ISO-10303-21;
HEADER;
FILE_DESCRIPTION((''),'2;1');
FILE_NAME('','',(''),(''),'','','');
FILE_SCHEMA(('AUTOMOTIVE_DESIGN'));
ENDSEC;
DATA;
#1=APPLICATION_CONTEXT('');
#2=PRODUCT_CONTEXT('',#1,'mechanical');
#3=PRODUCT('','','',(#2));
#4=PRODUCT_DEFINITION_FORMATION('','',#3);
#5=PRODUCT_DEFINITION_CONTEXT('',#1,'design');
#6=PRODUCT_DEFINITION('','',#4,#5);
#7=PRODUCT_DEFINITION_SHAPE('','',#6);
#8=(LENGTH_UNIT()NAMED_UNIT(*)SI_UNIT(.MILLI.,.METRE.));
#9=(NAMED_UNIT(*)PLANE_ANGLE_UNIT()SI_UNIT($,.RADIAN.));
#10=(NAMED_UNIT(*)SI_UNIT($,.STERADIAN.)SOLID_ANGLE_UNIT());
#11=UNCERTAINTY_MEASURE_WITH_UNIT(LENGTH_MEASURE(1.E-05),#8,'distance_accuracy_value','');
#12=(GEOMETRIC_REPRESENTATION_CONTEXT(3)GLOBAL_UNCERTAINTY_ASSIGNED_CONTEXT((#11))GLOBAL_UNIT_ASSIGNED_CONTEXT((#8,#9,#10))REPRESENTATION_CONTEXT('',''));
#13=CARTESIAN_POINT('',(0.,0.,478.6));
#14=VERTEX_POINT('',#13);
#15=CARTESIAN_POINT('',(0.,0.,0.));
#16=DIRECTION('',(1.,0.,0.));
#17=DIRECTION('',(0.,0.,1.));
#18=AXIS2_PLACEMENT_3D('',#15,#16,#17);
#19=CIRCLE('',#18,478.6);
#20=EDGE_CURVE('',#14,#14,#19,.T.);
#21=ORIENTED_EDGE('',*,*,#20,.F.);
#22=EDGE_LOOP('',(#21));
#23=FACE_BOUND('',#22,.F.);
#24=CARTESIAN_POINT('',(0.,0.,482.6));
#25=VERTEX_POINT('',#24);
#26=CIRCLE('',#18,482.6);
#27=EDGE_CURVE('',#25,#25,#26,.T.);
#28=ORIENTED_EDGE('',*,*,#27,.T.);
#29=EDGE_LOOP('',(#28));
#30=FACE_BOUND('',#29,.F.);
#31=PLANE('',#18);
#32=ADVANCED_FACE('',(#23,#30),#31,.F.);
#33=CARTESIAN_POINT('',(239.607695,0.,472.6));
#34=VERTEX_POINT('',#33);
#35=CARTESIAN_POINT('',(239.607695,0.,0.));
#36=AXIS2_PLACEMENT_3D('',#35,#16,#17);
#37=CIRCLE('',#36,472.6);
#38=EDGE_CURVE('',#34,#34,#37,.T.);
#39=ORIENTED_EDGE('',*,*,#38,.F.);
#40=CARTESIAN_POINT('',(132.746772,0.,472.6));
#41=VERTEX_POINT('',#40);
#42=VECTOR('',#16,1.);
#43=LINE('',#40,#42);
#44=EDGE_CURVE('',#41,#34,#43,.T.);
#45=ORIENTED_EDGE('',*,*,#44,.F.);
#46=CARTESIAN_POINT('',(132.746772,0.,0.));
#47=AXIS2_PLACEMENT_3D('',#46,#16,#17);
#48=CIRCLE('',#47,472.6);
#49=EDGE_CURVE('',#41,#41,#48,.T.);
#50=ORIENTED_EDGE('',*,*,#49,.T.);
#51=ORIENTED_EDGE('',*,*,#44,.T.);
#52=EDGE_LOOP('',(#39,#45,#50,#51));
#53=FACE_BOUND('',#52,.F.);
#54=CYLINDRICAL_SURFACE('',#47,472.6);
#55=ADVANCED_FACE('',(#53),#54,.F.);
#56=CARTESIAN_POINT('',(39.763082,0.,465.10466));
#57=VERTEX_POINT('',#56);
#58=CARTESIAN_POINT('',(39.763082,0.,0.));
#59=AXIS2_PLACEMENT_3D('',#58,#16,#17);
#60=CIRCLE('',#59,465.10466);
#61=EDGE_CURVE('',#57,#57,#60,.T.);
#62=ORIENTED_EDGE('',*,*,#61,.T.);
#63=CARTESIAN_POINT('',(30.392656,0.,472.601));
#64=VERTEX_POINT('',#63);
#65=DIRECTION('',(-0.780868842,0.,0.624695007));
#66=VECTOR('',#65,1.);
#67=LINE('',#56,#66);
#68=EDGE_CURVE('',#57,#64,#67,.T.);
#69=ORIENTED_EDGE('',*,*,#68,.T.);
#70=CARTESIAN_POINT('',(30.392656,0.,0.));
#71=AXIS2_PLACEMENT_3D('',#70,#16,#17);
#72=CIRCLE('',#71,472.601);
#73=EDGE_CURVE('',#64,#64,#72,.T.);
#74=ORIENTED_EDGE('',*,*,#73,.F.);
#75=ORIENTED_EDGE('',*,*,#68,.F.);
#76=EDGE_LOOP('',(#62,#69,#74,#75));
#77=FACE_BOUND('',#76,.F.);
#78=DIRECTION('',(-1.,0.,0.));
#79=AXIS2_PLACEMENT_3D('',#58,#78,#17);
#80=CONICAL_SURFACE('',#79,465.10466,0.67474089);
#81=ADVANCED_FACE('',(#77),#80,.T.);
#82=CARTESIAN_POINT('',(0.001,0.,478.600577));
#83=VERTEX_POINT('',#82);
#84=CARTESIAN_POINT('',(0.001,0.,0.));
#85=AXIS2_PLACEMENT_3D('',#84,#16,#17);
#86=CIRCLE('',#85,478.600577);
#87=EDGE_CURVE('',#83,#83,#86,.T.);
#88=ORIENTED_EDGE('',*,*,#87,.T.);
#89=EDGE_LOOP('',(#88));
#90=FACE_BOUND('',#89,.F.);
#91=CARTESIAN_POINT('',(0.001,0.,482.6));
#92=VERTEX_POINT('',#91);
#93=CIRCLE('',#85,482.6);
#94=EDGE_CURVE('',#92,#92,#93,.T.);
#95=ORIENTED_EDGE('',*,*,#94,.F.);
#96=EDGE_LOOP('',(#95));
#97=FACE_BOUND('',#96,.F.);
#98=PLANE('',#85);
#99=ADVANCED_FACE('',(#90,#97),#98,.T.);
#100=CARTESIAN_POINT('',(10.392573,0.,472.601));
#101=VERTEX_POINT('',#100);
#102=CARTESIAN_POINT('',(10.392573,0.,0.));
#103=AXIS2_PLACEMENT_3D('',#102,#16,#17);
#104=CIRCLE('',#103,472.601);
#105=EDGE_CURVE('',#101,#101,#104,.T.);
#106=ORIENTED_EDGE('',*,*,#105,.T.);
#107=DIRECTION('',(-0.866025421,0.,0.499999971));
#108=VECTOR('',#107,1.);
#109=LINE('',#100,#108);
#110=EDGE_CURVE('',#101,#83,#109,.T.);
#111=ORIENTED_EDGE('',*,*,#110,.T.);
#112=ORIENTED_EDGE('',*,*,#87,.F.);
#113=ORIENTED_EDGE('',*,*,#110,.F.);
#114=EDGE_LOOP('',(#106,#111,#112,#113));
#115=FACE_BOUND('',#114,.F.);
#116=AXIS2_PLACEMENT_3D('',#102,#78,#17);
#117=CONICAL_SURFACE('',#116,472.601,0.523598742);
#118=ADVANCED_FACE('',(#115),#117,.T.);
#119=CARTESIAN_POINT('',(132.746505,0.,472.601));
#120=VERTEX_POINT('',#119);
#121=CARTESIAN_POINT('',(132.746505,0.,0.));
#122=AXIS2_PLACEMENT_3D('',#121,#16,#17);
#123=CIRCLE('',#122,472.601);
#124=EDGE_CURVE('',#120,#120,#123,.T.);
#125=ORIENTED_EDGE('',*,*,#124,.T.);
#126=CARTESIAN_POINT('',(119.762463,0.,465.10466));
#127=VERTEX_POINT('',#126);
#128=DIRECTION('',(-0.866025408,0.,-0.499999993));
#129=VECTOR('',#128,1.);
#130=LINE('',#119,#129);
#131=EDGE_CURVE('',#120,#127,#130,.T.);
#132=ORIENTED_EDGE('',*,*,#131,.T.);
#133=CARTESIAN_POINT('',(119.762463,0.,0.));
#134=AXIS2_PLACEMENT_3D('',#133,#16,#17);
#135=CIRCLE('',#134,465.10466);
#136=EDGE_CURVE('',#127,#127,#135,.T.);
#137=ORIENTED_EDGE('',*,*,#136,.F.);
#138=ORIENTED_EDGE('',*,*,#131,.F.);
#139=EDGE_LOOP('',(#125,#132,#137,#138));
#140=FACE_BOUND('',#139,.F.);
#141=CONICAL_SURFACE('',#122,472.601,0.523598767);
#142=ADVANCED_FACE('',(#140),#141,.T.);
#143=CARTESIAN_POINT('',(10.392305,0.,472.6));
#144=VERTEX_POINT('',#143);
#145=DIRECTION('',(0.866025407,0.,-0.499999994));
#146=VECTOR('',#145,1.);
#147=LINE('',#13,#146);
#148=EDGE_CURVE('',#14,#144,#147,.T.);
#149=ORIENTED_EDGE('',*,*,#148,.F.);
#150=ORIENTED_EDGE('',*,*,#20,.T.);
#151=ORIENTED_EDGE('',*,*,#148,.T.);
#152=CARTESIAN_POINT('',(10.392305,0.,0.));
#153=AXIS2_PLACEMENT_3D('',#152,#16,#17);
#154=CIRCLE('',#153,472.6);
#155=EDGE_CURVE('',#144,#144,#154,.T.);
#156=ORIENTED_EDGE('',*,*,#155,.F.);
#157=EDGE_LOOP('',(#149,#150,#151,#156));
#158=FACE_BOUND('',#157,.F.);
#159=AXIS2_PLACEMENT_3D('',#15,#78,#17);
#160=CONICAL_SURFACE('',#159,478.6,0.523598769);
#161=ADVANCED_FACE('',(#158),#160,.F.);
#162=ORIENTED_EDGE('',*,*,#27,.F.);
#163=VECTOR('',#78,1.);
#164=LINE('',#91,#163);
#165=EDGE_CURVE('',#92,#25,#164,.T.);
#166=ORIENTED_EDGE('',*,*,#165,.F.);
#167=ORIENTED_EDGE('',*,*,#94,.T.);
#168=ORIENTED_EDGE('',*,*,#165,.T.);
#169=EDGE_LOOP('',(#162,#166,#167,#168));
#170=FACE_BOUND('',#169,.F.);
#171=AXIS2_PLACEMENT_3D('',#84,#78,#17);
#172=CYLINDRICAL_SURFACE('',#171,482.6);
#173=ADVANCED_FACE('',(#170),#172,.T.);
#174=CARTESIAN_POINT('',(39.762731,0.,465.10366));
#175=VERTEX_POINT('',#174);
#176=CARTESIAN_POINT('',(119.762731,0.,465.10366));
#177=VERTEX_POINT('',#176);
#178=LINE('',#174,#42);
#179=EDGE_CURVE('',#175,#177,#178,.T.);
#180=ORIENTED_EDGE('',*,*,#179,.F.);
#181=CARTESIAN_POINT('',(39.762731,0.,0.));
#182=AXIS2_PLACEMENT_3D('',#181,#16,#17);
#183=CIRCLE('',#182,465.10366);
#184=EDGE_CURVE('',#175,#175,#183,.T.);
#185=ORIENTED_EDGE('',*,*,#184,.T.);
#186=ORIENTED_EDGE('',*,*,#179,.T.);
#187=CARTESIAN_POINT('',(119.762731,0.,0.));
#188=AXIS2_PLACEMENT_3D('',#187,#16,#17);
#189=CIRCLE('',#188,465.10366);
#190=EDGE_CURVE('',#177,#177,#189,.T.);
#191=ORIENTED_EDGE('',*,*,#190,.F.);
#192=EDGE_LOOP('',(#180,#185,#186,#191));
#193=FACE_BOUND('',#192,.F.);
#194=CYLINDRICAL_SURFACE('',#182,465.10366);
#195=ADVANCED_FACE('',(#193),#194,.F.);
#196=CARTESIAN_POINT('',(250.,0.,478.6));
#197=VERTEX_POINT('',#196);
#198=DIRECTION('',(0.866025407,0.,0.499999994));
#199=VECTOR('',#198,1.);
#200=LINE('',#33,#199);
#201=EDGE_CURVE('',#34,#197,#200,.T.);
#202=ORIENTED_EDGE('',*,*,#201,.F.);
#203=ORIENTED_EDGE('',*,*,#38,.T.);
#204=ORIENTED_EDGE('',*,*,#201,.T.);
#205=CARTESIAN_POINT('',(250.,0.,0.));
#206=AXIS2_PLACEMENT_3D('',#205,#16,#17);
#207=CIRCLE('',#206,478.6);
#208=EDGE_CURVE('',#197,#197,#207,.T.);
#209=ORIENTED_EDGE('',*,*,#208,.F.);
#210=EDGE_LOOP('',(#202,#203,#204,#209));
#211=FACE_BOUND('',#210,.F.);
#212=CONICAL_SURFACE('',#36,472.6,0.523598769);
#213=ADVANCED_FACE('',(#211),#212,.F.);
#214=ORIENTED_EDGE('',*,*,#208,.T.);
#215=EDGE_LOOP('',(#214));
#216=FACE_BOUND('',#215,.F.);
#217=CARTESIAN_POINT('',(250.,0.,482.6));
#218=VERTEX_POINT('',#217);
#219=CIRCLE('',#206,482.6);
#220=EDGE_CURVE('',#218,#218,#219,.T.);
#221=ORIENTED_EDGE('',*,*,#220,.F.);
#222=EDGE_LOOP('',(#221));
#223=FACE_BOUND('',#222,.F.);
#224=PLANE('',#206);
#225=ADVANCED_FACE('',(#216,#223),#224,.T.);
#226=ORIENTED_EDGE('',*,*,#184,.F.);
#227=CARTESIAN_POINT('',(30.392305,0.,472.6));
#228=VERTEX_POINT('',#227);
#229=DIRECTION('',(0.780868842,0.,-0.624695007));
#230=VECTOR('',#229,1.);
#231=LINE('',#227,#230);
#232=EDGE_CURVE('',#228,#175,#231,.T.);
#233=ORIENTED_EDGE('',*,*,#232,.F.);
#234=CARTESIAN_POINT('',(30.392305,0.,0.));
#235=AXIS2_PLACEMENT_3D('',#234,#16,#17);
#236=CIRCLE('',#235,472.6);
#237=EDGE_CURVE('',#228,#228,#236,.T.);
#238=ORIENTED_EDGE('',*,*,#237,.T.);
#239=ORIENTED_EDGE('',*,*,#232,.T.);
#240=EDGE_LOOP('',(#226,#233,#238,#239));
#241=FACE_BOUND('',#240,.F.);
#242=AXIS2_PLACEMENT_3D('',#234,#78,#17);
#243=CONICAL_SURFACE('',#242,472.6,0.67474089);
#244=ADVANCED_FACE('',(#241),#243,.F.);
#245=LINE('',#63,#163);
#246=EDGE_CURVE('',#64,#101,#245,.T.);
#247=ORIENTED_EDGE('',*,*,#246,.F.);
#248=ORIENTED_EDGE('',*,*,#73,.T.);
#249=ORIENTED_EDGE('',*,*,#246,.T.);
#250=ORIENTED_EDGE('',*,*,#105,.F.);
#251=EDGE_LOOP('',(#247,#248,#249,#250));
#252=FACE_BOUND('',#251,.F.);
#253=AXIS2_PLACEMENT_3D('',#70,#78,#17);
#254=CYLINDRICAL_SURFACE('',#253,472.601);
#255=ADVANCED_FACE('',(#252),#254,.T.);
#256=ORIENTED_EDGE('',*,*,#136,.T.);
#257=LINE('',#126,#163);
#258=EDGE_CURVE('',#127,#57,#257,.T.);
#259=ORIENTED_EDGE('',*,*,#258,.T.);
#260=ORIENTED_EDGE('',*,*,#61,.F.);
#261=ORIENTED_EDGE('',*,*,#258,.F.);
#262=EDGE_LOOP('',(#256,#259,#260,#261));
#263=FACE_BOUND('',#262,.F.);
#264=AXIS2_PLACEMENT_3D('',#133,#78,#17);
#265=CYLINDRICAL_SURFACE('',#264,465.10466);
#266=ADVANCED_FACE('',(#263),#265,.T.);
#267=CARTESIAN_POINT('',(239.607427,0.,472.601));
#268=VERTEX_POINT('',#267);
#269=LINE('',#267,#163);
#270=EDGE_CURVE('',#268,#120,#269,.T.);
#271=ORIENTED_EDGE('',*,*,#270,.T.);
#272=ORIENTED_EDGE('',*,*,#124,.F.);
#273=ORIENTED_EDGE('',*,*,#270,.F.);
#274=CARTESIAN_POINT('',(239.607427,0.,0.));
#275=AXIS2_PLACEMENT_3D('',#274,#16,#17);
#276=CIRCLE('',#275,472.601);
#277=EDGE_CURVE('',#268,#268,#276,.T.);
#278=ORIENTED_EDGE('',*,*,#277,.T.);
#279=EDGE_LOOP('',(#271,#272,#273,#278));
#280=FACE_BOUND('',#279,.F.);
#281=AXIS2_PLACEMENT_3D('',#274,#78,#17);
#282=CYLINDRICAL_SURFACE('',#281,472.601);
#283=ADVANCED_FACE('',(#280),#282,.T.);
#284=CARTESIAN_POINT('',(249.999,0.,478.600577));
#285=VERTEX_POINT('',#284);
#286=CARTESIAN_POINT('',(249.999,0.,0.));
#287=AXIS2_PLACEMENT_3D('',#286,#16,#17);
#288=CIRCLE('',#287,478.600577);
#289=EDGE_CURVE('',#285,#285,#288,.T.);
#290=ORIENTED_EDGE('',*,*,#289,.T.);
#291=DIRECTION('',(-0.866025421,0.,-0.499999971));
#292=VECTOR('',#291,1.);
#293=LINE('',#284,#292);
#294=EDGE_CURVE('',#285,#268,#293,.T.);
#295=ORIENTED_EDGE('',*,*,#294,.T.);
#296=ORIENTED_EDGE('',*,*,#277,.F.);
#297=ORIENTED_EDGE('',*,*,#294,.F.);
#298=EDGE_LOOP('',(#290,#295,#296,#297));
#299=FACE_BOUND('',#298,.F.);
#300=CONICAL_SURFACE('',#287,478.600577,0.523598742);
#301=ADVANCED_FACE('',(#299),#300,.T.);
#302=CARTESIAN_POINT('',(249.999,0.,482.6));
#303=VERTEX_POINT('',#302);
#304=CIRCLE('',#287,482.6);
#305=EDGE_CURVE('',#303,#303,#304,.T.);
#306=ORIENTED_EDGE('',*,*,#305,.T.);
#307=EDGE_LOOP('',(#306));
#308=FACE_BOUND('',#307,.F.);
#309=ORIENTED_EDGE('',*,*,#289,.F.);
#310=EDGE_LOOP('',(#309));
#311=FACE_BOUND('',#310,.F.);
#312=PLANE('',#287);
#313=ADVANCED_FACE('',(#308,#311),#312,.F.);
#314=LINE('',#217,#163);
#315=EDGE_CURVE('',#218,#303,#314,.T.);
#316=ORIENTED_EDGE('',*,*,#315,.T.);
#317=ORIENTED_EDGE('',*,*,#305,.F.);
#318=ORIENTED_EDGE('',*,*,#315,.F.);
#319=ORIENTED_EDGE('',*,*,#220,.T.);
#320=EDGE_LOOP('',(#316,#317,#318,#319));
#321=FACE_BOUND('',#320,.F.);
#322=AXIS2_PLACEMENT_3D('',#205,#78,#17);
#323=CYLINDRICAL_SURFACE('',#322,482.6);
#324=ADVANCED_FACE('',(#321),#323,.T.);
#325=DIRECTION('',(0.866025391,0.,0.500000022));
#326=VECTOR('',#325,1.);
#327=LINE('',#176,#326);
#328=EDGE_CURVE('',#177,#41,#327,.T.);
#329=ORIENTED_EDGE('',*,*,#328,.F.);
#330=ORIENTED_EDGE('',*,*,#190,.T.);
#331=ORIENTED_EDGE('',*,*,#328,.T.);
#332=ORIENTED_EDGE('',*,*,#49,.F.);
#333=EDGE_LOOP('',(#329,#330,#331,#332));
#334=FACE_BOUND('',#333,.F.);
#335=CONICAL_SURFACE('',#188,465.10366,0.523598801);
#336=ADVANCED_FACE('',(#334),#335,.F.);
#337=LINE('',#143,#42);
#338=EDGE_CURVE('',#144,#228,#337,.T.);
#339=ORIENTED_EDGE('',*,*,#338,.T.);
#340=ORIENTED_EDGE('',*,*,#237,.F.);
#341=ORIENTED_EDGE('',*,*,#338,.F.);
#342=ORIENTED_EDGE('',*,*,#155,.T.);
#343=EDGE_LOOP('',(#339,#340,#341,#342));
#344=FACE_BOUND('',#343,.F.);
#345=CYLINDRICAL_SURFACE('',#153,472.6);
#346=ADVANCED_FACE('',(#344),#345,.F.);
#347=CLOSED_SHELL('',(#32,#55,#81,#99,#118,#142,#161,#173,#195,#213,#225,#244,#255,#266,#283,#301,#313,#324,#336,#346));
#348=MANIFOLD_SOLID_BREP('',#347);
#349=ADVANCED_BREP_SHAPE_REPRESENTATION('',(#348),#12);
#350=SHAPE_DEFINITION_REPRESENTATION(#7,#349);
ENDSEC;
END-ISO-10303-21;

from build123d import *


with BuildPart() as f1:
    # F0 (on Front) → F1 (revolve)
    with BuildSketch(Plane.XZ):
        Polygon((0.001, 482.6), (0, 482.6), (0, 478.6), (10.392305, 472.6), (30.392305, 472.6), (39.762731, 465.10366), (119.762731, 465.10366), (132.746772, 472.6), (239.607695, 472.6), (250, 478.6), (250, 482.6), (249.999, 482.6), (249.999, 478.600577), (239.607427, 472.601), (132.746505, 472.601), (119.762463, 465.10466), (39.763082, 465.10466), (30.392656, 472.601), (10.392573, 472.601), (0.001, 478.600577), align=None)
    revolve(axis=Axis((28.736394, 0, 0), (1, 0, 0)))


solid = f1.part
